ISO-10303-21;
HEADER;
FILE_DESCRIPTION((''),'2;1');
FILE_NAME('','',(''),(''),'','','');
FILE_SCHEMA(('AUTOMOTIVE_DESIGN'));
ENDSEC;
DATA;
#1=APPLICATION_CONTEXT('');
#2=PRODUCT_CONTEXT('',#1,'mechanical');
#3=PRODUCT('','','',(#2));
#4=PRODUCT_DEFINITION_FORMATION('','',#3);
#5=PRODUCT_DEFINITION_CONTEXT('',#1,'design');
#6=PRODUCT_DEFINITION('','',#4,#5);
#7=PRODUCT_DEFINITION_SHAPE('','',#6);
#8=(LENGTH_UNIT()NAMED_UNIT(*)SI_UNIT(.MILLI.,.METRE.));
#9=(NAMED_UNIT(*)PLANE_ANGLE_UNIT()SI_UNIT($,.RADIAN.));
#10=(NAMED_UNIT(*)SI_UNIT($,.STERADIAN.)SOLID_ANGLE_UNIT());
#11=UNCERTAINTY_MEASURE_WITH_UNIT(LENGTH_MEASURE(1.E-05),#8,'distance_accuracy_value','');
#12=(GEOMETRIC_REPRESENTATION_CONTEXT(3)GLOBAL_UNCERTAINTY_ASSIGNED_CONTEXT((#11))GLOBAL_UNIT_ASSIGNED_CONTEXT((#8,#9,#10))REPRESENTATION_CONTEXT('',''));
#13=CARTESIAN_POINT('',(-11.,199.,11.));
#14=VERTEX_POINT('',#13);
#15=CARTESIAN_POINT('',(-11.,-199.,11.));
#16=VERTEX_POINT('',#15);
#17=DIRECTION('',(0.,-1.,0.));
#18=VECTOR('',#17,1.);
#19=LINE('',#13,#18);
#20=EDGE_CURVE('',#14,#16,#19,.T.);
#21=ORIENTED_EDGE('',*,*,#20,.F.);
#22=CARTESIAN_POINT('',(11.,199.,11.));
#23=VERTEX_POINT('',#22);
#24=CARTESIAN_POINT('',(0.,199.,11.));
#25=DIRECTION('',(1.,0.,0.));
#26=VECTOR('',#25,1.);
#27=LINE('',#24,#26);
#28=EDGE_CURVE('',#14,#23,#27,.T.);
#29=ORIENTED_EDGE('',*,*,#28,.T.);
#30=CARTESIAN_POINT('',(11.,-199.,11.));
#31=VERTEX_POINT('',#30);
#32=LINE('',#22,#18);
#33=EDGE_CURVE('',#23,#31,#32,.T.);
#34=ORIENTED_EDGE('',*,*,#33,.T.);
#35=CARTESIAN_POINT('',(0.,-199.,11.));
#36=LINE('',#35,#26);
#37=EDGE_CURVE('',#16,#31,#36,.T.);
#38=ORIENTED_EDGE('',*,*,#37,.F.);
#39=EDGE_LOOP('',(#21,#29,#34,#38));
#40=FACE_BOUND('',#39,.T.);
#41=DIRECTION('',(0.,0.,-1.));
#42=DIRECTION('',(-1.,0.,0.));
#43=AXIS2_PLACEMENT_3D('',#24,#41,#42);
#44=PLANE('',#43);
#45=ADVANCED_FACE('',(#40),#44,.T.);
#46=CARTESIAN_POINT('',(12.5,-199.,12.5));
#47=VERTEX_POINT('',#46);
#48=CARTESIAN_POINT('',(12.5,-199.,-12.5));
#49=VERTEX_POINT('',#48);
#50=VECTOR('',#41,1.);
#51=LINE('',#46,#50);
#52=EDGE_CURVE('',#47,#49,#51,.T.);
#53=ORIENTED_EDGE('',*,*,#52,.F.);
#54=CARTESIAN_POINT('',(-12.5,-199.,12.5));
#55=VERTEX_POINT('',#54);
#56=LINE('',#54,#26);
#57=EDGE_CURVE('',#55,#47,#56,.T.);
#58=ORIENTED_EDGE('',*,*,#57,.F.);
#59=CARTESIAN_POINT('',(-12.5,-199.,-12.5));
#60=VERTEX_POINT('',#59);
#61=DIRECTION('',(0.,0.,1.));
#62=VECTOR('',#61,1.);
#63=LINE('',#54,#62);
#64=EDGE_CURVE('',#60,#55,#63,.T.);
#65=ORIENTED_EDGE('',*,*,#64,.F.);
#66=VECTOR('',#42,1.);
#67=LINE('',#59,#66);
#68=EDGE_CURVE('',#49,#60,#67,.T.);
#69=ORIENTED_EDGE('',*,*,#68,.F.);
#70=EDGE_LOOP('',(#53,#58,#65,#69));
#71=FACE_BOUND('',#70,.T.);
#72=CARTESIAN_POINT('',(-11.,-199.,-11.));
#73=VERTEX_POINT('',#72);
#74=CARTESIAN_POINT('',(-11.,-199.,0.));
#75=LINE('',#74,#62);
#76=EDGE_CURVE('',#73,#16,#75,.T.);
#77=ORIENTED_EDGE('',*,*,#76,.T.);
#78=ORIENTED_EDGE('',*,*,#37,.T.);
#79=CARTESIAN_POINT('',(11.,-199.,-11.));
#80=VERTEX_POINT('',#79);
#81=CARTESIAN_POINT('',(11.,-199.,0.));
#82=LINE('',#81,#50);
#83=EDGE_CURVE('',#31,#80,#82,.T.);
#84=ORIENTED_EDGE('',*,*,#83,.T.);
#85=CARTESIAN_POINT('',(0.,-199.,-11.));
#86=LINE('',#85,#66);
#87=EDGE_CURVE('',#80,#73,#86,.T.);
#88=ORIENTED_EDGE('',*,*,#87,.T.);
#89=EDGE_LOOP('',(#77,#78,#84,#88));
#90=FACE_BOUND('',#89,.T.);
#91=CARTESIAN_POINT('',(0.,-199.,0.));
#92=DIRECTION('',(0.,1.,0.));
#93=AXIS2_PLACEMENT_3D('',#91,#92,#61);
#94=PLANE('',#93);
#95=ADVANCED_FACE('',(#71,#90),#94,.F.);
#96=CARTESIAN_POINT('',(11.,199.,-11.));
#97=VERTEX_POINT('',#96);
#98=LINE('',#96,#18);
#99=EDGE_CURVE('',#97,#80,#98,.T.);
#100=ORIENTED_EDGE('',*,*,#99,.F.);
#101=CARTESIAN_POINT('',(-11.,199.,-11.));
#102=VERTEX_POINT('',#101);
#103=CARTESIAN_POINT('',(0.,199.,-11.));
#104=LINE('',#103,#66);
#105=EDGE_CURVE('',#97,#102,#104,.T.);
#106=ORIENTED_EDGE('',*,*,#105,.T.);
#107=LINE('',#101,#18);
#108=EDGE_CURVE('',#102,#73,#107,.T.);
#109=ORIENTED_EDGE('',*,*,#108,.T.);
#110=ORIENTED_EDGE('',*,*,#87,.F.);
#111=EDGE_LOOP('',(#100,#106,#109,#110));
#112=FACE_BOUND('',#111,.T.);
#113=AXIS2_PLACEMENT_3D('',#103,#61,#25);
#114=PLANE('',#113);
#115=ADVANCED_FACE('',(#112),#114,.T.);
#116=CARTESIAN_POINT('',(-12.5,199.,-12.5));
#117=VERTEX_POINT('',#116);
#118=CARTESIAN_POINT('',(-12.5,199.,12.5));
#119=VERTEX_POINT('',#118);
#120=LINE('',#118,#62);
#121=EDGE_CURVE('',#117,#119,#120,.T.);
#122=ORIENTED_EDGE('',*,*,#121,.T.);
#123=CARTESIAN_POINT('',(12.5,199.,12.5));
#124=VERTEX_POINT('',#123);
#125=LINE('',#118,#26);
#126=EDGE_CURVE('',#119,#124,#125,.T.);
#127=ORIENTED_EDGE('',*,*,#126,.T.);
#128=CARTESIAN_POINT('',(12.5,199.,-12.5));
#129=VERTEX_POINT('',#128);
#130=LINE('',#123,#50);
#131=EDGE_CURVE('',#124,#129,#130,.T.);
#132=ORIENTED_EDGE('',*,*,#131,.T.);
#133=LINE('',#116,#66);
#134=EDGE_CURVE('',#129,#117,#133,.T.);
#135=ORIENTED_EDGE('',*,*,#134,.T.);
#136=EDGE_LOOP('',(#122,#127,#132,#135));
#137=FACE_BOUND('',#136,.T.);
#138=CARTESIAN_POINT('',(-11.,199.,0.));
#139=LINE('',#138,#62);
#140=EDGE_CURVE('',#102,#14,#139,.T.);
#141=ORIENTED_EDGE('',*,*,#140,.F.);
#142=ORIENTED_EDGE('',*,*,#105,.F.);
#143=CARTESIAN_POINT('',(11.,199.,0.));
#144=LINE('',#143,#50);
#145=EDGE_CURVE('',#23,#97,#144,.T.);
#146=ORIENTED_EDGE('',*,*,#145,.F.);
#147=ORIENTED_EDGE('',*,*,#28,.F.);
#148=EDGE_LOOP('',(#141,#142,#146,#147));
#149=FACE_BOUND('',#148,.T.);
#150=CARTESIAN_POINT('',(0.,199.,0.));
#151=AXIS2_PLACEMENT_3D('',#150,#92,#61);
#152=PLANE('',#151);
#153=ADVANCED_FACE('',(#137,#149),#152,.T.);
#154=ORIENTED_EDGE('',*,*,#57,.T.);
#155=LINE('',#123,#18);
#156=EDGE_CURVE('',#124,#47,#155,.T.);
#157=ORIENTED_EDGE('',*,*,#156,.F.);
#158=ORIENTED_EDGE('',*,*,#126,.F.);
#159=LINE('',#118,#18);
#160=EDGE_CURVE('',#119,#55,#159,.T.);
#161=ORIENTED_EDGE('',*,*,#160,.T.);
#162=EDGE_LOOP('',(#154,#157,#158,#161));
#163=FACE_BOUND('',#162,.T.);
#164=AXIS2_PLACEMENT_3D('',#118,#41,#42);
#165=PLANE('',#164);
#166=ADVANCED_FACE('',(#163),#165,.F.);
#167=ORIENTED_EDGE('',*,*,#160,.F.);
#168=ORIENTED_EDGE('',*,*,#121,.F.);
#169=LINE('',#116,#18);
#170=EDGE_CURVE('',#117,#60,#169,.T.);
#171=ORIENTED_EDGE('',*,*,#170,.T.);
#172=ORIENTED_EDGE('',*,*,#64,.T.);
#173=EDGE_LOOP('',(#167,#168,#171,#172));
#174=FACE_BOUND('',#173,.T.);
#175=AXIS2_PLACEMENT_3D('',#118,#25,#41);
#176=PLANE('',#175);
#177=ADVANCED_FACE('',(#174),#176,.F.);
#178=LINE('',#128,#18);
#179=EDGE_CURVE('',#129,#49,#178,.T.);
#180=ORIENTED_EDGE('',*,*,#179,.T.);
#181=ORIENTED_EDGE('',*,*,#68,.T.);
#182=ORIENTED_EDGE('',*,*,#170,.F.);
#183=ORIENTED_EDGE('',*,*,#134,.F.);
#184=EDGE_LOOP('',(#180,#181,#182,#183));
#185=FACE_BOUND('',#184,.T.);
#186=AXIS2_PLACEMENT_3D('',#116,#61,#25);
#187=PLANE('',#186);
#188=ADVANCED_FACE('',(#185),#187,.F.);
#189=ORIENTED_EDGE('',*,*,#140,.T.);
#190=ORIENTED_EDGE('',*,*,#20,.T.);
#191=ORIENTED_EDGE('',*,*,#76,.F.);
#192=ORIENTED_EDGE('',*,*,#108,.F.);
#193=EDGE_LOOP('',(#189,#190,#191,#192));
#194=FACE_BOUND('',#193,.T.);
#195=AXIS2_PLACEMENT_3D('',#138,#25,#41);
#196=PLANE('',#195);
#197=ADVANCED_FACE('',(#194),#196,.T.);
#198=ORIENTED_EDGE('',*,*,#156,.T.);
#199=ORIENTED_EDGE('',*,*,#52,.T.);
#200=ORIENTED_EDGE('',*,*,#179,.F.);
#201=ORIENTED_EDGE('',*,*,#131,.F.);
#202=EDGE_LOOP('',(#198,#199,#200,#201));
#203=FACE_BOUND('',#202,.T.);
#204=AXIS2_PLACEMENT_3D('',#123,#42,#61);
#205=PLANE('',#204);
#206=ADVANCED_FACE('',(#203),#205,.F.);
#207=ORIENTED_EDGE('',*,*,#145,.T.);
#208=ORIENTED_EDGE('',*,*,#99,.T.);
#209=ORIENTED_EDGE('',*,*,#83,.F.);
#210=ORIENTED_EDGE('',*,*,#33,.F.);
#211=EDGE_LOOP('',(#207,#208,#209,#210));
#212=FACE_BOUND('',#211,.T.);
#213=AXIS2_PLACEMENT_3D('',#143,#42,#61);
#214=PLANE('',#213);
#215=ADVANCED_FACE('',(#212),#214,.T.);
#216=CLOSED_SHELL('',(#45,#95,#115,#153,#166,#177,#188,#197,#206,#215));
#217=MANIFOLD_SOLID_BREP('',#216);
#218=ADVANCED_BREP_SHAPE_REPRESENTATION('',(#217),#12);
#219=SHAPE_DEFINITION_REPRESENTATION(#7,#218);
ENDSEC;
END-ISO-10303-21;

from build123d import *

# Parameters (mm, degrees)
SKETCH1_W           = 25
SKETCH1_H           = 25
SKETCH1_W_2         = 22
SKETCH1_H_2         = 22
EXTRUDE_THIN1_DEPTH = 199


with BuildPart() as part:
    # Sketch1 → Extrude-Thin1 (new, symmetric)
    with BuildSketch(Plane(origin=(0, 0, 0), x_dir=(1, 0, 0), z_dir=(0, 1, 0))):
        Rectangle(SKETCH1_W, SKETCH1_H)
        Rectangle(SKETCH1_W_2, SKETCH1_H_2, mode=Mode.SUBTRACT)
    extrude(amount=EXTRUDE_THIN1_DEPTH, both=True)


solid = part.part
